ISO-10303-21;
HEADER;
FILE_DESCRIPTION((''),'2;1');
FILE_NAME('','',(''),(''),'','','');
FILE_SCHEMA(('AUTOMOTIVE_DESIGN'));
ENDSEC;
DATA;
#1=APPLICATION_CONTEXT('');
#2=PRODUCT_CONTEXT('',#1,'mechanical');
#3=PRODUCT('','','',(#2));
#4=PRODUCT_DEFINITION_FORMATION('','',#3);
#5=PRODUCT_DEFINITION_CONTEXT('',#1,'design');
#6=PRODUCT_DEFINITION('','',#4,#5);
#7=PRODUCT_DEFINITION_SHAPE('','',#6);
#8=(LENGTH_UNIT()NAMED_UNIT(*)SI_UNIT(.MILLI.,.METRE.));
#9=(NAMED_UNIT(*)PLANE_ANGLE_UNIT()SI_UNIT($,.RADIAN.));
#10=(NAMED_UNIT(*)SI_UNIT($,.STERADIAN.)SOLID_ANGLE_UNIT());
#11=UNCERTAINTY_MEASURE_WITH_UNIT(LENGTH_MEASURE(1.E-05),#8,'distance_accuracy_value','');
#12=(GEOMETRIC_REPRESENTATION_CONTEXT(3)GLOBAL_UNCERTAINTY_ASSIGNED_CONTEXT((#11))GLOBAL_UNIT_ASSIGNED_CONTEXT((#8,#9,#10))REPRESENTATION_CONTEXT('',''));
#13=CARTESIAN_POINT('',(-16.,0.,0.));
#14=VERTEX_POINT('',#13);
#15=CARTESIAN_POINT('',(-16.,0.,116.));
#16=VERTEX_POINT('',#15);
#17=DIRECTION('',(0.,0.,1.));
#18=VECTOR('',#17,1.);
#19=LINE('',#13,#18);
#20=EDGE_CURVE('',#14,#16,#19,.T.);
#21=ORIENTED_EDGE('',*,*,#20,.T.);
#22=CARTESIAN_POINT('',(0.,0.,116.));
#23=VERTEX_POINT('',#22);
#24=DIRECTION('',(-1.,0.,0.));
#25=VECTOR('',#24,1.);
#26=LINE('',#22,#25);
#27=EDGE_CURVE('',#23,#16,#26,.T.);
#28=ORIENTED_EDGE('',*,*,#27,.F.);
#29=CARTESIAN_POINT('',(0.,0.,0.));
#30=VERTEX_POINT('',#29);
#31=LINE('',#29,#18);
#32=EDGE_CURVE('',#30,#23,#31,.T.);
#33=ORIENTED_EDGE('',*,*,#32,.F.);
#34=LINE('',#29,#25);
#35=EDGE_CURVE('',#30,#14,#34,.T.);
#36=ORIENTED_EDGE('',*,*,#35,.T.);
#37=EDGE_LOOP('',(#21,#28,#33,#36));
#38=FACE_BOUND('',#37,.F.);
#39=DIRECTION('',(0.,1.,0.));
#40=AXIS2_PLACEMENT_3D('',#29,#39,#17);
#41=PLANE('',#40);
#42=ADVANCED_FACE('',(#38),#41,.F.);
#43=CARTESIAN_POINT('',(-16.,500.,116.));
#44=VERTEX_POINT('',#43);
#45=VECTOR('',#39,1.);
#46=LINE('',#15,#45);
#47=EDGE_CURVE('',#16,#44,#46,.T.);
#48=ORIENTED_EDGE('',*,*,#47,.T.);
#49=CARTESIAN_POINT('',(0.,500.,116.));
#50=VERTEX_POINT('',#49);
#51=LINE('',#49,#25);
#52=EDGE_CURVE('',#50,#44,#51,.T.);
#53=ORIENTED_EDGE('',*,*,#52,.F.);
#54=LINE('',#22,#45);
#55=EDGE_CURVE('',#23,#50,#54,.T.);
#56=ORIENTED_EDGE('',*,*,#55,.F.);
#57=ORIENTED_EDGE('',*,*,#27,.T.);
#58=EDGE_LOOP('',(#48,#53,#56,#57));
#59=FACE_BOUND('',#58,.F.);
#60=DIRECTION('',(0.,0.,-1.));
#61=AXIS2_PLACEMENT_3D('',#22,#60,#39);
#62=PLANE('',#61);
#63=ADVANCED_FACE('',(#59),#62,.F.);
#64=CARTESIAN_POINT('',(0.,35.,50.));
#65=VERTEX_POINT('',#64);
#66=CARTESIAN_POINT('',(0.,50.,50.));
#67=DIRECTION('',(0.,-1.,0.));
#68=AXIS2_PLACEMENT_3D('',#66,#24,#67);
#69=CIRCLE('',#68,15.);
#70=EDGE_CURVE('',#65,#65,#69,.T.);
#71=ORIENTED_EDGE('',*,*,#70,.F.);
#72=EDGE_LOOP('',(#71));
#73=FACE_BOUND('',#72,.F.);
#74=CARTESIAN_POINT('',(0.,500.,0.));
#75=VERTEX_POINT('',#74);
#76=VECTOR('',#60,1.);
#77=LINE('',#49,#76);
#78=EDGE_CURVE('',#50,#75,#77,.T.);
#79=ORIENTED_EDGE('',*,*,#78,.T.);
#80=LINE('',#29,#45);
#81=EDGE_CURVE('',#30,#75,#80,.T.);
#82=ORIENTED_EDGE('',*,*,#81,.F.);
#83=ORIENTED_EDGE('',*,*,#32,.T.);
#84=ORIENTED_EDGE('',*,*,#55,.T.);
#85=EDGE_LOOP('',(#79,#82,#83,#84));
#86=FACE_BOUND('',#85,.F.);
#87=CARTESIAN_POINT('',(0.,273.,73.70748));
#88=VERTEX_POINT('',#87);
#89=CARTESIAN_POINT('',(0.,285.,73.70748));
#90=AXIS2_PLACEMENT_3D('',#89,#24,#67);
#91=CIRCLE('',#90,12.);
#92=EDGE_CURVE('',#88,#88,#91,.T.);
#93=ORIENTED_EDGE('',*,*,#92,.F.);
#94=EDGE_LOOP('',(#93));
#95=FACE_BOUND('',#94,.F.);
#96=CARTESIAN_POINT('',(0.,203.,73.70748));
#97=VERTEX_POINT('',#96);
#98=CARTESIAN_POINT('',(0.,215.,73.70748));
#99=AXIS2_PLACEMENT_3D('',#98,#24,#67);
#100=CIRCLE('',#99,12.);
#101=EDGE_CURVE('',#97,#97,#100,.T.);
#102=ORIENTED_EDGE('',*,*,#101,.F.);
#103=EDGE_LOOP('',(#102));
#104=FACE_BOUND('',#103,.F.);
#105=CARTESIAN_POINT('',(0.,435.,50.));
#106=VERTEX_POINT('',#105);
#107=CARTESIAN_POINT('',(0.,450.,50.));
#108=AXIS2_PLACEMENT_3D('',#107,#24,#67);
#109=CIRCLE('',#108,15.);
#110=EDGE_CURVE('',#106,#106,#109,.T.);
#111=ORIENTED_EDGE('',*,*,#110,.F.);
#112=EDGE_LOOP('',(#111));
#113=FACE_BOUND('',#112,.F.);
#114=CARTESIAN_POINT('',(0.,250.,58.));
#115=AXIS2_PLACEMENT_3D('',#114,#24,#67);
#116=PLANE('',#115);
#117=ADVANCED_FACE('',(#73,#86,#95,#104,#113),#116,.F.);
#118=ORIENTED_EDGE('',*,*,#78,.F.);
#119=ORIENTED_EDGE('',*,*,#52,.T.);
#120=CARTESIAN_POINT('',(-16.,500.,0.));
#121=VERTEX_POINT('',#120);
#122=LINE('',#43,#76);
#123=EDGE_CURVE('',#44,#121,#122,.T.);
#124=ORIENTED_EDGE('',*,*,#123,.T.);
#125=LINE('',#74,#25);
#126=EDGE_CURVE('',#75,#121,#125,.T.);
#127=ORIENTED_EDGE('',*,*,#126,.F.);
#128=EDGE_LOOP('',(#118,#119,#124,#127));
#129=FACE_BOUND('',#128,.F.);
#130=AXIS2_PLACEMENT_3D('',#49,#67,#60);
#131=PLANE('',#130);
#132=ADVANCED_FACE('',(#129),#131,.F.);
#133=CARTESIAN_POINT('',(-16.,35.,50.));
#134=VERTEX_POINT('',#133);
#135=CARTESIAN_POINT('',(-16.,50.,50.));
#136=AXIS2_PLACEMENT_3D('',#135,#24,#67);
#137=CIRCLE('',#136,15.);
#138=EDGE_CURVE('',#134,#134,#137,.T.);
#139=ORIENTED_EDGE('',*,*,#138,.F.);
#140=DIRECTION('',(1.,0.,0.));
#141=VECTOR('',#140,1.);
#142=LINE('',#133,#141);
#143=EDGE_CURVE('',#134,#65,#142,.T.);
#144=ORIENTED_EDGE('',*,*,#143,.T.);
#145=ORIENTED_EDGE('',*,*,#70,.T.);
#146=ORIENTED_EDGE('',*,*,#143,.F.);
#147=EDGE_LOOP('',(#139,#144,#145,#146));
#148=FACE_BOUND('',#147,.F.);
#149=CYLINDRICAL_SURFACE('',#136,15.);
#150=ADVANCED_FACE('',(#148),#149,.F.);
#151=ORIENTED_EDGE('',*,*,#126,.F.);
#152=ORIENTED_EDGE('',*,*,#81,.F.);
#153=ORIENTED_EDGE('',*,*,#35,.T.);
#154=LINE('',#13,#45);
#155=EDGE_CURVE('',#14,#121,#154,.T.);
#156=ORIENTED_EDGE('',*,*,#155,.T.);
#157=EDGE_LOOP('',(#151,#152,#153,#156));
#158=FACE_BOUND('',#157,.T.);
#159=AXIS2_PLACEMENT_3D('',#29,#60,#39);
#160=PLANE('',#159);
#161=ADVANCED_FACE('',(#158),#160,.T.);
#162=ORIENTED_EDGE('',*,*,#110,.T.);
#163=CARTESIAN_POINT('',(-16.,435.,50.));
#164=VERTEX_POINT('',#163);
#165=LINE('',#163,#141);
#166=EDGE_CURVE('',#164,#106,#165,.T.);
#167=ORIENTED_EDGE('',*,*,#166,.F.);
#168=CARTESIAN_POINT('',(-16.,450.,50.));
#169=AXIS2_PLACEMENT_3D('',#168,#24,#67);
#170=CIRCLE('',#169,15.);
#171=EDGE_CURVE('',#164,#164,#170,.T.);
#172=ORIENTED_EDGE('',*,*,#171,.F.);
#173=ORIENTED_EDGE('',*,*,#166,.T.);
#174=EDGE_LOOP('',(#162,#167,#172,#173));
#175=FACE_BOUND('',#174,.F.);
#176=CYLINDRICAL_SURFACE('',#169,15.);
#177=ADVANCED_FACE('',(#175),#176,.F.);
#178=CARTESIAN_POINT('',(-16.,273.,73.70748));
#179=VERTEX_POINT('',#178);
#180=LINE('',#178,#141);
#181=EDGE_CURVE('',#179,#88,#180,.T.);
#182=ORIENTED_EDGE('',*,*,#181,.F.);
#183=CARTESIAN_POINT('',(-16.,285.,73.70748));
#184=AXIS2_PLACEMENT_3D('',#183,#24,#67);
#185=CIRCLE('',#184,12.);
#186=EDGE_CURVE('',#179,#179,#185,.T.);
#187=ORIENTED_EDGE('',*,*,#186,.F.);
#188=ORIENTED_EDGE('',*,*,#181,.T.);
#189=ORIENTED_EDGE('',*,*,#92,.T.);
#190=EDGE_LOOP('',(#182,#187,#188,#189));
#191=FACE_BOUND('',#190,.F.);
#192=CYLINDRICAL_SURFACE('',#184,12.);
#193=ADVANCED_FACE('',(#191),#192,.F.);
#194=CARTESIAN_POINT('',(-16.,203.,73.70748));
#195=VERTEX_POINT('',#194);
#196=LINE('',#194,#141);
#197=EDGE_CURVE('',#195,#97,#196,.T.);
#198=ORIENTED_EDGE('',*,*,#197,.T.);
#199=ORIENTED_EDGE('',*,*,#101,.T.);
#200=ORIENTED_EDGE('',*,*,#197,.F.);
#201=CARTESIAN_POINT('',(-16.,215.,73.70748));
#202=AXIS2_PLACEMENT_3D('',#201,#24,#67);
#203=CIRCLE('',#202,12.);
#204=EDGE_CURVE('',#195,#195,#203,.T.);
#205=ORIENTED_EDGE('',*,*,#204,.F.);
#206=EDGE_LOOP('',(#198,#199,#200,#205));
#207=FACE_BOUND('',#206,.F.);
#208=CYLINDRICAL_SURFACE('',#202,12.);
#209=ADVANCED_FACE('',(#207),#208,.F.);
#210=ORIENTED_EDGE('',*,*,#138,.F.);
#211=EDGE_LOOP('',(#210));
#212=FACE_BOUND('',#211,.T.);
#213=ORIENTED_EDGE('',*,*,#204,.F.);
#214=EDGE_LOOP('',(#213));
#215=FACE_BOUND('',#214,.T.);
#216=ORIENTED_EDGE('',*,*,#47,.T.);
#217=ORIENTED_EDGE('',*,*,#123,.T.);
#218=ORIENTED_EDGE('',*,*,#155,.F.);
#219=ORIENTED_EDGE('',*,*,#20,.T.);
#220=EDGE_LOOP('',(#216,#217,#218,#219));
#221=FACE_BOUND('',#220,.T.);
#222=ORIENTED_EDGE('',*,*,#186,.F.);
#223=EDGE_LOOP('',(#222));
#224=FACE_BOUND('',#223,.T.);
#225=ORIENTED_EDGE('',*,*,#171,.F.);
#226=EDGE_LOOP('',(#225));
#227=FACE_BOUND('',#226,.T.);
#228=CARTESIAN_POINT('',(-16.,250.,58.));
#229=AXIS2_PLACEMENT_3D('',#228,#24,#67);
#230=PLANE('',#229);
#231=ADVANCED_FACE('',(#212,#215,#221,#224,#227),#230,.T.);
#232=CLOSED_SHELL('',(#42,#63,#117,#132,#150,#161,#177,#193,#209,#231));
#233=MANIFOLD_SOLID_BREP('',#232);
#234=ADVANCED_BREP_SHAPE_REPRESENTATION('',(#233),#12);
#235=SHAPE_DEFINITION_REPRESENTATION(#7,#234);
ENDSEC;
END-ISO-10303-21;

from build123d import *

# Parameters (mm, degrees)
PAD_DEPTH     = 16
SKETCH001_R   = 12
SKETCH001_R_2 = 15
POCKET_DEPTH  = 20


with BuildPart() as part:
    # Sketch → Pad (new body)
    with BuildSketch(Plane.YZ):
        Polygon((0, 0), (0, 116), (500, 116), (500, 0), (250, 0), align=None)
    extrude(amount=-PAD_DEPTH)

    # Sketch001 (on Face7 of Pad) → Pocket (cut)
    with BuildSketch(Plane(origin=(-16, 0, 0), x_dir=(0, -1, 0), z_dir=(-1, 0, 0))):
        with Locations((-215, 73.70748)):
            Circle(SKETCH001_R)
        with Locations((-285, 73.70748)):
            Circle(SKETCH001_R)
        with Locations((-450, 50)):
            Circle(SKETCH001_R_2)
        with Locations((-50, 50)):
            Circle(SKETCH001_R_2)
    extrude(amount=-POCKET_DEPTH, mode=Mode.SUBTRACT)


solid = part.part
